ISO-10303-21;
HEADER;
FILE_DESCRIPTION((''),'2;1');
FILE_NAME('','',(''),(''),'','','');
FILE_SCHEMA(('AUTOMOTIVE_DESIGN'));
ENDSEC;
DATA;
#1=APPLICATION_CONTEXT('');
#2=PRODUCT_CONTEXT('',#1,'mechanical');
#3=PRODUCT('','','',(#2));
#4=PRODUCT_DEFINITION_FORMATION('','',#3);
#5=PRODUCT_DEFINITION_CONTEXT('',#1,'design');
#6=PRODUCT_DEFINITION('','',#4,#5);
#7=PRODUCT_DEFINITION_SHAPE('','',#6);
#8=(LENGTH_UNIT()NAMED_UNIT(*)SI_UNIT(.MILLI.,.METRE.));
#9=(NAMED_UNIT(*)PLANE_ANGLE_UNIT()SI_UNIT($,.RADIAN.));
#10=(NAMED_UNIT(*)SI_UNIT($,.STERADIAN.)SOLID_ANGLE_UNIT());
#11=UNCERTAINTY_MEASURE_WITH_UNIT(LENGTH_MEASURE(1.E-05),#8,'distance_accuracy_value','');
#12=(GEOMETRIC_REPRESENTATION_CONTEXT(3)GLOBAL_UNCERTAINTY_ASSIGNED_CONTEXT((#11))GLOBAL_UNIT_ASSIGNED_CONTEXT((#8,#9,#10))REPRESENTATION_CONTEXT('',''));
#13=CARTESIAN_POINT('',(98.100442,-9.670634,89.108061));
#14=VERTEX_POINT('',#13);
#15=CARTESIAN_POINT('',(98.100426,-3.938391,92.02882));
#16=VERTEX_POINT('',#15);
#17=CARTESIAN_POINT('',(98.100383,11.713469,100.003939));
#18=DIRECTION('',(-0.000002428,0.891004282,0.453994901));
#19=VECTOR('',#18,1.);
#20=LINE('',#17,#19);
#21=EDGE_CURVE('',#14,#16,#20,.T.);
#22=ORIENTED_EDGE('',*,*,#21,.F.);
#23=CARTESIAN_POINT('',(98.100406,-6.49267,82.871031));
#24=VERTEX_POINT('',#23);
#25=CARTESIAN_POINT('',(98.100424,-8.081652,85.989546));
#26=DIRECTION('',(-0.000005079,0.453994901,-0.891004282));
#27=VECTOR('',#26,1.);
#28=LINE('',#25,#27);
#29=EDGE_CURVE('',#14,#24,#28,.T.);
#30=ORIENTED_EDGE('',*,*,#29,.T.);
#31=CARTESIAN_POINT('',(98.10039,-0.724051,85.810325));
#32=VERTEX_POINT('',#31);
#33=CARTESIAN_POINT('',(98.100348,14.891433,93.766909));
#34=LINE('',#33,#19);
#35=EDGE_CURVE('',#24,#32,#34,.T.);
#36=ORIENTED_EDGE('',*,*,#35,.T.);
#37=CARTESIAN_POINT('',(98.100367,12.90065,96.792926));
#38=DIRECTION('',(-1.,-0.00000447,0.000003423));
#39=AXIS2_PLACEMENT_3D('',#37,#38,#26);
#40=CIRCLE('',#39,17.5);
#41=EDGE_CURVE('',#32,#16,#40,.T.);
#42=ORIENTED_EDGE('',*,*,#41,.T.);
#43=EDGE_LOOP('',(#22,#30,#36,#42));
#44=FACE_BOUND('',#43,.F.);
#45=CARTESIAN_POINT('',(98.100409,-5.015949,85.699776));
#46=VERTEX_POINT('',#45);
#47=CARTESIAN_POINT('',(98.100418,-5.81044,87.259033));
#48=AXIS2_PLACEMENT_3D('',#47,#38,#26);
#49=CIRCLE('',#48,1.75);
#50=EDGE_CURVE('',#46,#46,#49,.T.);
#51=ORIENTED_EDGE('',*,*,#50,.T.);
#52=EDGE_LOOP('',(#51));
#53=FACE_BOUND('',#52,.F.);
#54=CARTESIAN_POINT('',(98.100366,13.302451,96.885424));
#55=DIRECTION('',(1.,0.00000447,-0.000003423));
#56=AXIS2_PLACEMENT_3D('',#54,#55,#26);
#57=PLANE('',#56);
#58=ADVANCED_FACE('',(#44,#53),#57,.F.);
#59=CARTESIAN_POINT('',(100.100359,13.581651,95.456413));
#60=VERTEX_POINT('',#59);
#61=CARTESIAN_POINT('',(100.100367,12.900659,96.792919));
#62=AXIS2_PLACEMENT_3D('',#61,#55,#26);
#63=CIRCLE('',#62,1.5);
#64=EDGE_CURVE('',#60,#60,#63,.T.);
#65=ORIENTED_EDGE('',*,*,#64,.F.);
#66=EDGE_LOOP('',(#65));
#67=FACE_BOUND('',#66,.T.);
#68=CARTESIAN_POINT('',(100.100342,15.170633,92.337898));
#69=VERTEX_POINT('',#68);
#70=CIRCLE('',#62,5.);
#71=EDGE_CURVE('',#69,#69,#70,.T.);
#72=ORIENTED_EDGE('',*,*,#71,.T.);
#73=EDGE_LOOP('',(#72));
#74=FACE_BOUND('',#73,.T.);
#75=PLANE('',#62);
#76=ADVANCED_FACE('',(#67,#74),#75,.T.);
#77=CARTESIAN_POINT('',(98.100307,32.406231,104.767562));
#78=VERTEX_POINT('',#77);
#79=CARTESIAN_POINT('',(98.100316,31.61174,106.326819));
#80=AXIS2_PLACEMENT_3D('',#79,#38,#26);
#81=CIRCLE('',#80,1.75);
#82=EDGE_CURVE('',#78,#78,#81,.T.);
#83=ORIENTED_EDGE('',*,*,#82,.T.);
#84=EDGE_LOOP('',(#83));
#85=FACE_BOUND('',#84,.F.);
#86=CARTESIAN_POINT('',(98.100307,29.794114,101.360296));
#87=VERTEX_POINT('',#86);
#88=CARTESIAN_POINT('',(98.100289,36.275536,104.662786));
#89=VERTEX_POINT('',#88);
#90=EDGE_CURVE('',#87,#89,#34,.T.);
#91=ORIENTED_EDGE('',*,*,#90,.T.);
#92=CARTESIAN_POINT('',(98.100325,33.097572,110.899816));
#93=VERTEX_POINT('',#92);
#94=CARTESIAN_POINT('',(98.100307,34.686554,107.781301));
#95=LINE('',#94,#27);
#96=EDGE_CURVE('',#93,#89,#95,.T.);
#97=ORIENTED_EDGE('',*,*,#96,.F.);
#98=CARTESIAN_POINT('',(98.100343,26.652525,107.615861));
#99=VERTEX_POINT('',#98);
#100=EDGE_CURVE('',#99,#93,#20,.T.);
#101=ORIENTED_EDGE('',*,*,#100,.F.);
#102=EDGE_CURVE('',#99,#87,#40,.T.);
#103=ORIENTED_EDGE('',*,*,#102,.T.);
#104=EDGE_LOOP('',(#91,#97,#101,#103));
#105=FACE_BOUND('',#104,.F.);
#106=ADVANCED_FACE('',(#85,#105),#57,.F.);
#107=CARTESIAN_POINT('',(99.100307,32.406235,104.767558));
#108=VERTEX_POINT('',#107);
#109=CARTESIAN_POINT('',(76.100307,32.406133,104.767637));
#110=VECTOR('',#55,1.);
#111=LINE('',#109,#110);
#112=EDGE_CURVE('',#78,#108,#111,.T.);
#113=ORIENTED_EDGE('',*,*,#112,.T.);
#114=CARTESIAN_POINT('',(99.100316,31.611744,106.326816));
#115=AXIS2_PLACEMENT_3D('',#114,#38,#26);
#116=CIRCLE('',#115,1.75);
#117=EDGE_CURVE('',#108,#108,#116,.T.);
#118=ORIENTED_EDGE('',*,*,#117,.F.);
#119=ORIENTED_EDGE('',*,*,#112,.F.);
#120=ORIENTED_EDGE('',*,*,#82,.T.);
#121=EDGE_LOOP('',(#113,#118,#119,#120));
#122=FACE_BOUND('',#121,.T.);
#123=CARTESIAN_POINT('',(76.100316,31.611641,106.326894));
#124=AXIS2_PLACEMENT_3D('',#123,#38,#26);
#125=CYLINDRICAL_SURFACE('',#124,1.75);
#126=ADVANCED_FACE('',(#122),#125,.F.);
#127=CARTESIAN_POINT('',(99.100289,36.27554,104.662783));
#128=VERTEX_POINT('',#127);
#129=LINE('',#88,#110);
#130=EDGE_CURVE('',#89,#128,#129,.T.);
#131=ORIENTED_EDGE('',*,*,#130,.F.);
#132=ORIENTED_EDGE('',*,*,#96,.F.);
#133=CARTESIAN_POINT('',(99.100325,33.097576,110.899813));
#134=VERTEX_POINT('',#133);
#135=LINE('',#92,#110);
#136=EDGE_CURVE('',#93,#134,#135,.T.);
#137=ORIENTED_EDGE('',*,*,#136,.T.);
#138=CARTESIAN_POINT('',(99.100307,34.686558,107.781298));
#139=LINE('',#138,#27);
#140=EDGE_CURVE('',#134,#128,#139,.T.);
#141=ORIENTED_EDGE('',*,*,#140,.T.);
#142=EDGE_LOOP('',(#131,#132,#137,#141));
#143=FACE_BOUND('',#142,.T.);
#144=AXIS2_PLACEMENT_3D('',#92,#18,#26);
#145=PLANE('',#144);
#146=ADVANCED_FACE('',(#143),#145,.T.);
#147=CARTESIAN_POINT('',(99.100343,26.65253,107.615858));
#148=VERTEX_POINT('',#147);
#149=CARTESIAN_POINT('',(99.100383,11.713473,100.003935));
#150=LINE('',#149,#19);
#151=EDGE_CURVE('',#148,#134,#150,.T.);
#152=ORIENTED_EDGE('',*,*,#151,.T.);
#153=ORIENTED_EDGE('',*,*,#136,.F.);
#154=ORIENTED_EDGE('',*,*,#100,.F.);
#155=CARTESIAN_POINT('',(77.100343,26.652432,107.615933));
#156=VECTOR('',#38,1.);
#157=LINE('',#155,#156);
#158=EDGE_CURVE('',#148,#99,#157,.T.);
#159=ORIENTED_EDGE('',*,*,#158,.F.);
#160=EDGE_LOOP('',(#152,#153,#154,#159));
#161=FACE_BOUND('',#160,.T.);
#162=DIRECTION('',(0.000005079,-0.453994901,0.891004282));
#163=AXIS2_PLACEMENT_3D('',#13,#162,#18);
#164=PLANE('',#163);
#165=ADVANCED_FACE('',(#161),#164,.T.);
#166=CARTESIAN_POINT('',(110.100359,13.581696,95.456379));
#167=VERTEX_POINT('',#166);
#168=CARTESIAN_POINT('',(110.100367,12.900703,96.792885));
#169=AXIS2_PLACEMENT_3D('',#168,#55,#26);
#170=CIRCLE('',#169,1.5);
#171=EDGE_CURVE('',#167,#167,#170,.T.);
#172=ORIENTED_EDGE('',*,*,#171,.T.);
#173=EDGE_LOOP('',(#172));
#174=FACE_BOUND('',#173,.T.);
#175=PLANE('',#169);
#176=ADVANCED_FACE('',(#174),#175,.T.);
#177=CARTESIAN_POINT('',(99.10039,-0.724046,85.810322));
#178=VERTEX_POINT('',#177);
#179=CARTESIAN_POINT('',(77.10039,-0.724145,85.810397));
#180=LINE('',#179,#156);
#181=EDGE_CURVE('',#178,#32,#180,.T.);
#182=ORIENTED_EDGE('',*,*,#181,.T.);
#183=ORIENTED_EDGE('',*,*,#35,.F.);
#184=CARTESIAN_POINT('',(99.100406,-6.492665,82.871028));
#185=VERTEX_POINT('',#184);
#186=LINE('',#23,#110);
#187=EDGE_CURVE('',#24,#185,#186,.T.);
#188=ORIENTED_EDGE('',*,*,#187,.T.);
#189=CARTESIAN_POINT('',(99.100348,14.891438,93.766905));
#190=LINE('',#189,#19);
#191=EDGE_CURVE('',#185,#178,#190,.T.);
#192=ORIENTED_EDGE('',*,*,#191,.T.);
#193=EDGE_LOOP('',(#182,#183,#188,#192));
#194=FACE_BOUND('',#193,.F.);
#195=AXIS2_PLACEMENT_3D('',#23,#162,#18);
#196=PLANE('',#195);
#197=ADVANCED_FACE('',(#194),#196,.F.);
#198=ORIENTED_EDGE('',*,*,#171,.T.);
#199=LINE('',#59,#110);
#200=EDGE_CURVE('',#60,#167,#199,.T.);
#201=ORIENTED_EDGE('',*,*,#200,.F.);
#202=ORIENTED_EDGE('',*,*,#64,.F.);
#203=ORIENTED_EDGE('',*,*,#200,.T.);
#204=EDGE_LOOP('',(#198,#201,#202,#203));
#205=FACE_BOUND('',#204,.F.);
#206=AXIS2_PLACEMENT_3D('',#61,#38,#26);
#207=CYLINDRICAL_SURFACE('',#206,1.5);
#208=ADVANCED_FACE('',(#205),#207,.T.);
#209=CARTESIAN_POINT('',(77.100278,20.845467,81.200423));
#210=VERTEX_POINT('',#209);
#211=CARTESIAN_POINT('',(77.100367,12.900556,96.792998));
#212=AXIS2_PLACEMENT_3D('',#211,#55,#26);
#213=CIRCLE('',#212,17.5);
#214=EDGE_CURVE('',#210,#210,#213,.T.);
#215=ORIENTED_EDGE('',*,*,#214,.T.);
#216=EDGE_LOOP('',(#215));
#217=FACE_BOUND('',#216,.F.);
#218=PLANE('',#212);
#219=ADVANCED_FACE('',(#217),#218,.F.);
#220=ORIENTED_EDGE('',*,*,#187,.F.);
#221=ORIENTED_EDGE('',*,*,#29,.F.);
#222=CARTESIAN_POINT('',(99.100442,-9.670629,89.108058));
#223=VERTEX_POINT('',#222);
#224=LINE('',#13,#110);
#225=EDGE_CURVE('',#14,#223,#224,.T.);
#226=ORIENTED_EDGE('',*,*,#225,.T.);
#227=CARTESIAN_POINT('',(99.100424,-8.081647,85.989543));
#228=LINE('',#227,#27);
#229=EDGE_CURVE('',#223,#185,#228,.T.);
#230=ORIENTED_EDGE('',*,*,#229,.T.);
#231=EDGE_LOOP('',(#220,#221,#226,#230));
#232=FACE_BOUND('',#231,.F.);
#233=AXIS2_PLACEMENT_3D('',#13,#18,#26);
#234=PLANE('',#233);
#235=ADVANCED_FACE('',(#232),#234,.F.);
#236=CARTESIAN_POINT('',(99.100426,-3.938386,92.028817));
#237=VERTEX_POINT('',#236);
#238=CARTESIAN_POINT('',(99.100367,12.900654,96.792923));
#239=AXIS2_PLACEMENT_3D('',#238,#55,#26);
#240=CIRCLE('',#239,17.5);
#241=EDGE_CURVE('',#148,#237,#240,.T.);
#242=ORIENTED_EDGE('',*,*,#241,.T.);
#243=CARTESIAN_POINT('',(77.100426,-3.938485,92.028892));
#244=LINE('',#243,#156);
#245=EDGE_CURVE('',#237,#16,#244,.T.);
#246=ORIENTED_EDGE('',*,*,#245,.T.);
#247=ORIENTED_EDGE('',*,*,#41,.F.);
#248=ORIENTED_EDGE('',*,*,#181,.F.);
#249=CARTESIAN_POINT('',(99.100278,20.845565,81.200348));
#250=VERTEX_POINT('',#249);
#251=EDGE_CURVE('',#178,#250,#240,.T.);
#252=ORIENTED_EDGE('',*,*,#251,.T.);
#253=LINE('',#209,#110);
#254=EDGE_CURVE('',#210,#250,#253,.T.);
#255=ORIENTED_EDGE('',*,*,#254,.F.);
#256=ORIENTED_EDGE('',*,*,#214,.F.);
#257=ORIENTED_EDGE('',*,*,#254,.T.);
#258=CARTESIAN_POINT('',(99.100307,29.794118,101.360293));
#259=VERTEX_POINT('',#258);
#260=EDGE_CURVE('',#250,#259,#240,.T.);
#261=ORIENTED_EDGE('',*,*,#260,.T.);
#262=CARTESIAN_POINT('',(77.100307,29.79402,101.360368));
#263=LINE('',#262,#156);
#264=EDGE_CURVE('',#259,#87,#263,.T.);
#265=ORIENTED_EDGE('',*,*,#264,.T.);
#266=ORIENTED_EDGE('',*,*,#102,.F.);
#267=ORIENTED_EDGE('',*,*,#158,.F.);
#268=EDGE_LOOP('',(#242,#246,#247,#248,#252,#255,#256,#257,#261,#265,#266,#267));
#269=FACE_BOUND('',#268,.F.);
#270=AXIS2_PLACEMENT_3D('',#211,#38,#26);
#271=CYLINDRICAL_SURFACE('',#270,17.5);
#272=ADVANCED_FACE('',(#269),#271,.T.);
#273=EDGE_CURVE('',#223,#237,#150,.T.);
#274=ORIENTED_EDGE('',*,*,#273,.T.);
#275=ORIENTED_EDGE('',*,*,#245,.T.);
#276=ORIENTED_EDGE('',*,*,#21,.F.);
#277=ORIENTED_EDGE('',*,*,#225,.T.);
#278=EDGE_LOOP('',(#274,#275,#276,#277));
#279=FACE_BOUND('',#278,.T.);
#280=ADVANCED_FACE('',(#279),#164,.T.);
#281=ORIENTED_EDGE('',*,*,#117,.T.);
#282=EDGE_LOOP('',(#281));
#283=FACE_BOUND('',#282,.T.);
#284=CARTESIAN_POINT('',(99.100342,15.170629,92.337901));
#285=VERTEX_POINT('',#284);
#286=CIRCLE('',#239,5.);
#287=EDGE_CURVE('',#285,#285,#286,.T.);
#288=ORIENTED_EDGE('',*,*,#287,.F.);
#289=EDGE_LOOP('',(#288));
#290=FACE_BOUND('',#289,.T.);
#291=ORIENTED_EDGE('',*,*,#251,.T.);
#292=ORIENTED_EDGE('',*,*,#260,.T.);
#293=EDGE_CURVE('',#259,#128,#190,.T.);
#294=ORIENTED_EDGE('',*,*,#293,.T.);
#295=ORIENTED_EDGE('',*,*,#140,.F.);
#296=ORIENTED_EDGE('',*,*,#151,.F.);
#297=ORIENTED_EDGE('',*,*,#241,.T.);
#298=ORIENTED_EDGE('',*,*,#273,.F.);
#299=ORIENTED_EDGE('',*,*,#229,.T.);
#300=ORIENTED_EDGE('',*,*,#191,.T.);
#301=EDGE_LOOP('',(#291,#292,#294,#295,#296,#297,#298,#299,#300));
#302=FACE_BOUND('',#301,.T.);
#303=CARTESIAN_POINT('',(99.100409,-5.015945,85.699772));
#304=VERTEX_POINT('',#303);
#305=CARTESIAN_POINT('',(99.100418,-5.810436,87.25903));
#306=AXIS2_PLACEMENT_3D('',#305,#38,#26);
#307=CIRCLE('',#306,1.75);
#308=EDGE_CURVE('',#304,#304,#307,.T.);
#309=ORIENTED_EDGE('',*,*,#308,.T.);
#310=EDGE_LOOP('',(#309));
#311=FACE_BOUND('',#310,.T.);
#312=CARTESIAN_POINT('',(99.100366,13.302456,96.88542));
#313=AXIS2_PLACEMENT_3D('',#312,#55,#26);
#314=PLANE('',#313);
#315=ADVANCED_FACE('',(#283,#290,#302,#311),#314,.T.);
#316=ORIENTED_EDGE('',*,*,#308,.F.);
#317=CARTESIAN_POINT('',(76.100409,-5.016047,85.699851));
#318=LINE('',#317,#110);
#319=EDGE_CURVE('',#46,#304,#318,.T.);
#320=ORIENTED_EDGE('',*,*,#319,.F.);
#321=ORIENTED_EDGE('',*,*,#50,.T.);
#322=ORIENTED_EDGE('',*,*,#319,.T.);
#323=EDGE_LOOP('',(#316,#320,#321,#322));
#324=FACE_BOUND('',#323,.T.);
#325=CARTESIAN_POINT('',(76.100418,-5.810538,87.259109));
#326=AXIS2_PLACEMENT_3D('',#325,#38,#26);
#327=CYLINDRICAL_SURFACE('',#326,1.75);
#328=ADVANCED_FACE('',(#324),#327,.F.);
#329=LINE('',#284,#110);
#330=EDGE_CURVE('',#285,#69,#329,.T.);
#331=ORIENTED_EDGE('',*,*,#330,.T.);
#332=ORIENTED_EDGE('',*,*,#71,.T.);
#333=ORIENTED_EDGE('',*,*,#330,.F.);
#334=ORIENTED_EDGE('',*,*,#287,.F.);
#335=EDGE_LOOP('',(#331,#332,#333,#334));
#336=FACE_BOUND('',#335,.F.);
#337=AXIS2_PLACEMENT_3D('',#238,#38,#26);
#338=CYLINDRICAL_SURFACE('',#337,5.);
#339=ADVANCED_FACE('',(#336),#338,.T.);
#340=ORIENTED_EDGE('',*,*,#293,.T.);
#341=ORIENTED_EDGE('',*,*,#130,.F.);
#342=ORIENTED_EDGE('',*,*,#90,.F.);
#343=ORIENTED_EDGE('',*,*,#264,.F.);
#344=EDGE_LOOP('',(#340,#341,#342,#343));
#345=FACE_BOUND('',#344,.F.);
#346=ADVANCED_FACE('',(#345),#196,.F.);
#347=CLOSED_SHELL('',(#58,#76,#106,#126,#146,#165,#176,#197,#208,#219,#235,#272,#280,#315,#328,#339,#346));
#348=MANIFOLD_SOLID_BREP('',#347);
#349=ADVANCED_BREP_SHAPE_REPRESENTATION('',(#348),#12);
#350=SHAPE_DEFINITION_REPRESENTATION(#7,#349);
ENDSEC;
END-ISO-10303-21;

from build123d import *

# Parameters (mm, degrees)
CYLINDER129_R             = 1.75
CYLINDER129_DEPTH         = 26
CYLINDER131_R             = 1.75
CYLINDER131_DEPTH         = 26
BOX066_W                  = 7
BOX066_H                  = 48
BOX066_DEPTH              = 1
CYLINDER132_R             = 1.5
CYLINDER132_DEPTH         = 10
CYLINDER130_R             = 5
CYLINDER130_DEPTH         = 1
CYLINDER128_R             = 17.5
CYLINDER128_DEPTH         = 22
FUSION092_ROLL_ANGLE      = 90.000432
FUSION092_PITCH_ANGLE     = 62.999717
FUSION092_PLACEMENT_ANGLE = 90.000641


with BuildPart() as cylinder129:
    # Cylinder129 → Cylinder129 (new body)
    with BuildSketch(Plane(origin=(0, 21, 0), x_dir=(1, 0, 0), z_dir=(0, 0, 1))):
        Circle(CYLINDER129_R)
    extrude(amount=CYLINDER129_DEPTH)


with BuildPart() as cylinder131:
    # Cylinder131 → Cylinder131 (new body)
    with BuildSketch(Plane(origin=(0, -21, 0), x_dir=(1, 0, 0), z_dir=(0, 0, 1))):
        Circle(CYLINDER131_R)
    extrude(amount=CYLINDER131_DEPTH)


with BuildPart() as cut183:
    # Box066 → Box066 (new body)
    with BuildSketch(Plane(origin=(-3.4, -23.6, 22), x_dir=(1, 0, 0), z_dir=(0, 0, 1))):
        with Locations((3.5, 24)):
            Rectangle(BOX066_W, BOX066_H)
    extrude(amount=BOX066_DEPTH)

    # Cut182: cut Cylinder131
    add(cylinder131.part, mode=Mode.SUBTRACT)

    # Cut183: cut Cylinder129
    add(cylinder129.part, mode=Mode.SUBTRACT)


with BuildPart() as cut183_1:
    # Cut183 placement: moved
    add(cut183.part.moved(Location((0, 0, -1))))


with BuildPart() as cylinder132:
    # Cylinder132 → Cylinder132 (new body)
    with BuildSketch(Plane.XY.offset(23)):
        Circle(CYLINDER132_R)
    extrude(amount=CYLINDER132_DEPTH)


with BuildPart() as cylinder130:
    # Cylinder130 → Cylinder130 (new body)
    with BuildSketch(Plane.XY.offset(22)):
        Circle(CYLINDER130_R)
    extrude(amount=CYLINDER130_DEPTH)


with BuildPart() as fusion092:
    # Cylinder128 → Cylinder128 (new body)
    with BuildSketch(Plane.XY):
        Circle(CYLINDER128_R)
    extrude(amount=CYLINDER128_DEPTH)

    # Fusion092: union Cut183, Cylinder132, Cylinder130
    add(cut183_1.part)
    add(cylinder132.part)
    add(cylinder130.part)


with BuildPart() as fusion092_1:
    # Fusion092 roll: moved
    add(fusion092.part.rotate(Axis((0, 0, 0), (1, 0, 0)), FUSION092_ROLL_ANGLE))


with BuildPart() as fusion092_2:
    # Fusion092 pitch: moved
    add(fusion092_1.part.rotate(Axis((0, 0, 0), (0, 1, 0)), FUSION092_PITCH_ANGLE))


with BuildPart() as fusion092_3:
    # Fusion092 placement: moved
    add(fusion092_2.part.moved(Location((77.100367, 12.900556, 96.792998))).rotate(Axis((77.100367, 12.900556, 96.792998), (0, 0, 1)), FUSION092_PLACEMENT_ANGLE))


solid = fusion092_3.part
